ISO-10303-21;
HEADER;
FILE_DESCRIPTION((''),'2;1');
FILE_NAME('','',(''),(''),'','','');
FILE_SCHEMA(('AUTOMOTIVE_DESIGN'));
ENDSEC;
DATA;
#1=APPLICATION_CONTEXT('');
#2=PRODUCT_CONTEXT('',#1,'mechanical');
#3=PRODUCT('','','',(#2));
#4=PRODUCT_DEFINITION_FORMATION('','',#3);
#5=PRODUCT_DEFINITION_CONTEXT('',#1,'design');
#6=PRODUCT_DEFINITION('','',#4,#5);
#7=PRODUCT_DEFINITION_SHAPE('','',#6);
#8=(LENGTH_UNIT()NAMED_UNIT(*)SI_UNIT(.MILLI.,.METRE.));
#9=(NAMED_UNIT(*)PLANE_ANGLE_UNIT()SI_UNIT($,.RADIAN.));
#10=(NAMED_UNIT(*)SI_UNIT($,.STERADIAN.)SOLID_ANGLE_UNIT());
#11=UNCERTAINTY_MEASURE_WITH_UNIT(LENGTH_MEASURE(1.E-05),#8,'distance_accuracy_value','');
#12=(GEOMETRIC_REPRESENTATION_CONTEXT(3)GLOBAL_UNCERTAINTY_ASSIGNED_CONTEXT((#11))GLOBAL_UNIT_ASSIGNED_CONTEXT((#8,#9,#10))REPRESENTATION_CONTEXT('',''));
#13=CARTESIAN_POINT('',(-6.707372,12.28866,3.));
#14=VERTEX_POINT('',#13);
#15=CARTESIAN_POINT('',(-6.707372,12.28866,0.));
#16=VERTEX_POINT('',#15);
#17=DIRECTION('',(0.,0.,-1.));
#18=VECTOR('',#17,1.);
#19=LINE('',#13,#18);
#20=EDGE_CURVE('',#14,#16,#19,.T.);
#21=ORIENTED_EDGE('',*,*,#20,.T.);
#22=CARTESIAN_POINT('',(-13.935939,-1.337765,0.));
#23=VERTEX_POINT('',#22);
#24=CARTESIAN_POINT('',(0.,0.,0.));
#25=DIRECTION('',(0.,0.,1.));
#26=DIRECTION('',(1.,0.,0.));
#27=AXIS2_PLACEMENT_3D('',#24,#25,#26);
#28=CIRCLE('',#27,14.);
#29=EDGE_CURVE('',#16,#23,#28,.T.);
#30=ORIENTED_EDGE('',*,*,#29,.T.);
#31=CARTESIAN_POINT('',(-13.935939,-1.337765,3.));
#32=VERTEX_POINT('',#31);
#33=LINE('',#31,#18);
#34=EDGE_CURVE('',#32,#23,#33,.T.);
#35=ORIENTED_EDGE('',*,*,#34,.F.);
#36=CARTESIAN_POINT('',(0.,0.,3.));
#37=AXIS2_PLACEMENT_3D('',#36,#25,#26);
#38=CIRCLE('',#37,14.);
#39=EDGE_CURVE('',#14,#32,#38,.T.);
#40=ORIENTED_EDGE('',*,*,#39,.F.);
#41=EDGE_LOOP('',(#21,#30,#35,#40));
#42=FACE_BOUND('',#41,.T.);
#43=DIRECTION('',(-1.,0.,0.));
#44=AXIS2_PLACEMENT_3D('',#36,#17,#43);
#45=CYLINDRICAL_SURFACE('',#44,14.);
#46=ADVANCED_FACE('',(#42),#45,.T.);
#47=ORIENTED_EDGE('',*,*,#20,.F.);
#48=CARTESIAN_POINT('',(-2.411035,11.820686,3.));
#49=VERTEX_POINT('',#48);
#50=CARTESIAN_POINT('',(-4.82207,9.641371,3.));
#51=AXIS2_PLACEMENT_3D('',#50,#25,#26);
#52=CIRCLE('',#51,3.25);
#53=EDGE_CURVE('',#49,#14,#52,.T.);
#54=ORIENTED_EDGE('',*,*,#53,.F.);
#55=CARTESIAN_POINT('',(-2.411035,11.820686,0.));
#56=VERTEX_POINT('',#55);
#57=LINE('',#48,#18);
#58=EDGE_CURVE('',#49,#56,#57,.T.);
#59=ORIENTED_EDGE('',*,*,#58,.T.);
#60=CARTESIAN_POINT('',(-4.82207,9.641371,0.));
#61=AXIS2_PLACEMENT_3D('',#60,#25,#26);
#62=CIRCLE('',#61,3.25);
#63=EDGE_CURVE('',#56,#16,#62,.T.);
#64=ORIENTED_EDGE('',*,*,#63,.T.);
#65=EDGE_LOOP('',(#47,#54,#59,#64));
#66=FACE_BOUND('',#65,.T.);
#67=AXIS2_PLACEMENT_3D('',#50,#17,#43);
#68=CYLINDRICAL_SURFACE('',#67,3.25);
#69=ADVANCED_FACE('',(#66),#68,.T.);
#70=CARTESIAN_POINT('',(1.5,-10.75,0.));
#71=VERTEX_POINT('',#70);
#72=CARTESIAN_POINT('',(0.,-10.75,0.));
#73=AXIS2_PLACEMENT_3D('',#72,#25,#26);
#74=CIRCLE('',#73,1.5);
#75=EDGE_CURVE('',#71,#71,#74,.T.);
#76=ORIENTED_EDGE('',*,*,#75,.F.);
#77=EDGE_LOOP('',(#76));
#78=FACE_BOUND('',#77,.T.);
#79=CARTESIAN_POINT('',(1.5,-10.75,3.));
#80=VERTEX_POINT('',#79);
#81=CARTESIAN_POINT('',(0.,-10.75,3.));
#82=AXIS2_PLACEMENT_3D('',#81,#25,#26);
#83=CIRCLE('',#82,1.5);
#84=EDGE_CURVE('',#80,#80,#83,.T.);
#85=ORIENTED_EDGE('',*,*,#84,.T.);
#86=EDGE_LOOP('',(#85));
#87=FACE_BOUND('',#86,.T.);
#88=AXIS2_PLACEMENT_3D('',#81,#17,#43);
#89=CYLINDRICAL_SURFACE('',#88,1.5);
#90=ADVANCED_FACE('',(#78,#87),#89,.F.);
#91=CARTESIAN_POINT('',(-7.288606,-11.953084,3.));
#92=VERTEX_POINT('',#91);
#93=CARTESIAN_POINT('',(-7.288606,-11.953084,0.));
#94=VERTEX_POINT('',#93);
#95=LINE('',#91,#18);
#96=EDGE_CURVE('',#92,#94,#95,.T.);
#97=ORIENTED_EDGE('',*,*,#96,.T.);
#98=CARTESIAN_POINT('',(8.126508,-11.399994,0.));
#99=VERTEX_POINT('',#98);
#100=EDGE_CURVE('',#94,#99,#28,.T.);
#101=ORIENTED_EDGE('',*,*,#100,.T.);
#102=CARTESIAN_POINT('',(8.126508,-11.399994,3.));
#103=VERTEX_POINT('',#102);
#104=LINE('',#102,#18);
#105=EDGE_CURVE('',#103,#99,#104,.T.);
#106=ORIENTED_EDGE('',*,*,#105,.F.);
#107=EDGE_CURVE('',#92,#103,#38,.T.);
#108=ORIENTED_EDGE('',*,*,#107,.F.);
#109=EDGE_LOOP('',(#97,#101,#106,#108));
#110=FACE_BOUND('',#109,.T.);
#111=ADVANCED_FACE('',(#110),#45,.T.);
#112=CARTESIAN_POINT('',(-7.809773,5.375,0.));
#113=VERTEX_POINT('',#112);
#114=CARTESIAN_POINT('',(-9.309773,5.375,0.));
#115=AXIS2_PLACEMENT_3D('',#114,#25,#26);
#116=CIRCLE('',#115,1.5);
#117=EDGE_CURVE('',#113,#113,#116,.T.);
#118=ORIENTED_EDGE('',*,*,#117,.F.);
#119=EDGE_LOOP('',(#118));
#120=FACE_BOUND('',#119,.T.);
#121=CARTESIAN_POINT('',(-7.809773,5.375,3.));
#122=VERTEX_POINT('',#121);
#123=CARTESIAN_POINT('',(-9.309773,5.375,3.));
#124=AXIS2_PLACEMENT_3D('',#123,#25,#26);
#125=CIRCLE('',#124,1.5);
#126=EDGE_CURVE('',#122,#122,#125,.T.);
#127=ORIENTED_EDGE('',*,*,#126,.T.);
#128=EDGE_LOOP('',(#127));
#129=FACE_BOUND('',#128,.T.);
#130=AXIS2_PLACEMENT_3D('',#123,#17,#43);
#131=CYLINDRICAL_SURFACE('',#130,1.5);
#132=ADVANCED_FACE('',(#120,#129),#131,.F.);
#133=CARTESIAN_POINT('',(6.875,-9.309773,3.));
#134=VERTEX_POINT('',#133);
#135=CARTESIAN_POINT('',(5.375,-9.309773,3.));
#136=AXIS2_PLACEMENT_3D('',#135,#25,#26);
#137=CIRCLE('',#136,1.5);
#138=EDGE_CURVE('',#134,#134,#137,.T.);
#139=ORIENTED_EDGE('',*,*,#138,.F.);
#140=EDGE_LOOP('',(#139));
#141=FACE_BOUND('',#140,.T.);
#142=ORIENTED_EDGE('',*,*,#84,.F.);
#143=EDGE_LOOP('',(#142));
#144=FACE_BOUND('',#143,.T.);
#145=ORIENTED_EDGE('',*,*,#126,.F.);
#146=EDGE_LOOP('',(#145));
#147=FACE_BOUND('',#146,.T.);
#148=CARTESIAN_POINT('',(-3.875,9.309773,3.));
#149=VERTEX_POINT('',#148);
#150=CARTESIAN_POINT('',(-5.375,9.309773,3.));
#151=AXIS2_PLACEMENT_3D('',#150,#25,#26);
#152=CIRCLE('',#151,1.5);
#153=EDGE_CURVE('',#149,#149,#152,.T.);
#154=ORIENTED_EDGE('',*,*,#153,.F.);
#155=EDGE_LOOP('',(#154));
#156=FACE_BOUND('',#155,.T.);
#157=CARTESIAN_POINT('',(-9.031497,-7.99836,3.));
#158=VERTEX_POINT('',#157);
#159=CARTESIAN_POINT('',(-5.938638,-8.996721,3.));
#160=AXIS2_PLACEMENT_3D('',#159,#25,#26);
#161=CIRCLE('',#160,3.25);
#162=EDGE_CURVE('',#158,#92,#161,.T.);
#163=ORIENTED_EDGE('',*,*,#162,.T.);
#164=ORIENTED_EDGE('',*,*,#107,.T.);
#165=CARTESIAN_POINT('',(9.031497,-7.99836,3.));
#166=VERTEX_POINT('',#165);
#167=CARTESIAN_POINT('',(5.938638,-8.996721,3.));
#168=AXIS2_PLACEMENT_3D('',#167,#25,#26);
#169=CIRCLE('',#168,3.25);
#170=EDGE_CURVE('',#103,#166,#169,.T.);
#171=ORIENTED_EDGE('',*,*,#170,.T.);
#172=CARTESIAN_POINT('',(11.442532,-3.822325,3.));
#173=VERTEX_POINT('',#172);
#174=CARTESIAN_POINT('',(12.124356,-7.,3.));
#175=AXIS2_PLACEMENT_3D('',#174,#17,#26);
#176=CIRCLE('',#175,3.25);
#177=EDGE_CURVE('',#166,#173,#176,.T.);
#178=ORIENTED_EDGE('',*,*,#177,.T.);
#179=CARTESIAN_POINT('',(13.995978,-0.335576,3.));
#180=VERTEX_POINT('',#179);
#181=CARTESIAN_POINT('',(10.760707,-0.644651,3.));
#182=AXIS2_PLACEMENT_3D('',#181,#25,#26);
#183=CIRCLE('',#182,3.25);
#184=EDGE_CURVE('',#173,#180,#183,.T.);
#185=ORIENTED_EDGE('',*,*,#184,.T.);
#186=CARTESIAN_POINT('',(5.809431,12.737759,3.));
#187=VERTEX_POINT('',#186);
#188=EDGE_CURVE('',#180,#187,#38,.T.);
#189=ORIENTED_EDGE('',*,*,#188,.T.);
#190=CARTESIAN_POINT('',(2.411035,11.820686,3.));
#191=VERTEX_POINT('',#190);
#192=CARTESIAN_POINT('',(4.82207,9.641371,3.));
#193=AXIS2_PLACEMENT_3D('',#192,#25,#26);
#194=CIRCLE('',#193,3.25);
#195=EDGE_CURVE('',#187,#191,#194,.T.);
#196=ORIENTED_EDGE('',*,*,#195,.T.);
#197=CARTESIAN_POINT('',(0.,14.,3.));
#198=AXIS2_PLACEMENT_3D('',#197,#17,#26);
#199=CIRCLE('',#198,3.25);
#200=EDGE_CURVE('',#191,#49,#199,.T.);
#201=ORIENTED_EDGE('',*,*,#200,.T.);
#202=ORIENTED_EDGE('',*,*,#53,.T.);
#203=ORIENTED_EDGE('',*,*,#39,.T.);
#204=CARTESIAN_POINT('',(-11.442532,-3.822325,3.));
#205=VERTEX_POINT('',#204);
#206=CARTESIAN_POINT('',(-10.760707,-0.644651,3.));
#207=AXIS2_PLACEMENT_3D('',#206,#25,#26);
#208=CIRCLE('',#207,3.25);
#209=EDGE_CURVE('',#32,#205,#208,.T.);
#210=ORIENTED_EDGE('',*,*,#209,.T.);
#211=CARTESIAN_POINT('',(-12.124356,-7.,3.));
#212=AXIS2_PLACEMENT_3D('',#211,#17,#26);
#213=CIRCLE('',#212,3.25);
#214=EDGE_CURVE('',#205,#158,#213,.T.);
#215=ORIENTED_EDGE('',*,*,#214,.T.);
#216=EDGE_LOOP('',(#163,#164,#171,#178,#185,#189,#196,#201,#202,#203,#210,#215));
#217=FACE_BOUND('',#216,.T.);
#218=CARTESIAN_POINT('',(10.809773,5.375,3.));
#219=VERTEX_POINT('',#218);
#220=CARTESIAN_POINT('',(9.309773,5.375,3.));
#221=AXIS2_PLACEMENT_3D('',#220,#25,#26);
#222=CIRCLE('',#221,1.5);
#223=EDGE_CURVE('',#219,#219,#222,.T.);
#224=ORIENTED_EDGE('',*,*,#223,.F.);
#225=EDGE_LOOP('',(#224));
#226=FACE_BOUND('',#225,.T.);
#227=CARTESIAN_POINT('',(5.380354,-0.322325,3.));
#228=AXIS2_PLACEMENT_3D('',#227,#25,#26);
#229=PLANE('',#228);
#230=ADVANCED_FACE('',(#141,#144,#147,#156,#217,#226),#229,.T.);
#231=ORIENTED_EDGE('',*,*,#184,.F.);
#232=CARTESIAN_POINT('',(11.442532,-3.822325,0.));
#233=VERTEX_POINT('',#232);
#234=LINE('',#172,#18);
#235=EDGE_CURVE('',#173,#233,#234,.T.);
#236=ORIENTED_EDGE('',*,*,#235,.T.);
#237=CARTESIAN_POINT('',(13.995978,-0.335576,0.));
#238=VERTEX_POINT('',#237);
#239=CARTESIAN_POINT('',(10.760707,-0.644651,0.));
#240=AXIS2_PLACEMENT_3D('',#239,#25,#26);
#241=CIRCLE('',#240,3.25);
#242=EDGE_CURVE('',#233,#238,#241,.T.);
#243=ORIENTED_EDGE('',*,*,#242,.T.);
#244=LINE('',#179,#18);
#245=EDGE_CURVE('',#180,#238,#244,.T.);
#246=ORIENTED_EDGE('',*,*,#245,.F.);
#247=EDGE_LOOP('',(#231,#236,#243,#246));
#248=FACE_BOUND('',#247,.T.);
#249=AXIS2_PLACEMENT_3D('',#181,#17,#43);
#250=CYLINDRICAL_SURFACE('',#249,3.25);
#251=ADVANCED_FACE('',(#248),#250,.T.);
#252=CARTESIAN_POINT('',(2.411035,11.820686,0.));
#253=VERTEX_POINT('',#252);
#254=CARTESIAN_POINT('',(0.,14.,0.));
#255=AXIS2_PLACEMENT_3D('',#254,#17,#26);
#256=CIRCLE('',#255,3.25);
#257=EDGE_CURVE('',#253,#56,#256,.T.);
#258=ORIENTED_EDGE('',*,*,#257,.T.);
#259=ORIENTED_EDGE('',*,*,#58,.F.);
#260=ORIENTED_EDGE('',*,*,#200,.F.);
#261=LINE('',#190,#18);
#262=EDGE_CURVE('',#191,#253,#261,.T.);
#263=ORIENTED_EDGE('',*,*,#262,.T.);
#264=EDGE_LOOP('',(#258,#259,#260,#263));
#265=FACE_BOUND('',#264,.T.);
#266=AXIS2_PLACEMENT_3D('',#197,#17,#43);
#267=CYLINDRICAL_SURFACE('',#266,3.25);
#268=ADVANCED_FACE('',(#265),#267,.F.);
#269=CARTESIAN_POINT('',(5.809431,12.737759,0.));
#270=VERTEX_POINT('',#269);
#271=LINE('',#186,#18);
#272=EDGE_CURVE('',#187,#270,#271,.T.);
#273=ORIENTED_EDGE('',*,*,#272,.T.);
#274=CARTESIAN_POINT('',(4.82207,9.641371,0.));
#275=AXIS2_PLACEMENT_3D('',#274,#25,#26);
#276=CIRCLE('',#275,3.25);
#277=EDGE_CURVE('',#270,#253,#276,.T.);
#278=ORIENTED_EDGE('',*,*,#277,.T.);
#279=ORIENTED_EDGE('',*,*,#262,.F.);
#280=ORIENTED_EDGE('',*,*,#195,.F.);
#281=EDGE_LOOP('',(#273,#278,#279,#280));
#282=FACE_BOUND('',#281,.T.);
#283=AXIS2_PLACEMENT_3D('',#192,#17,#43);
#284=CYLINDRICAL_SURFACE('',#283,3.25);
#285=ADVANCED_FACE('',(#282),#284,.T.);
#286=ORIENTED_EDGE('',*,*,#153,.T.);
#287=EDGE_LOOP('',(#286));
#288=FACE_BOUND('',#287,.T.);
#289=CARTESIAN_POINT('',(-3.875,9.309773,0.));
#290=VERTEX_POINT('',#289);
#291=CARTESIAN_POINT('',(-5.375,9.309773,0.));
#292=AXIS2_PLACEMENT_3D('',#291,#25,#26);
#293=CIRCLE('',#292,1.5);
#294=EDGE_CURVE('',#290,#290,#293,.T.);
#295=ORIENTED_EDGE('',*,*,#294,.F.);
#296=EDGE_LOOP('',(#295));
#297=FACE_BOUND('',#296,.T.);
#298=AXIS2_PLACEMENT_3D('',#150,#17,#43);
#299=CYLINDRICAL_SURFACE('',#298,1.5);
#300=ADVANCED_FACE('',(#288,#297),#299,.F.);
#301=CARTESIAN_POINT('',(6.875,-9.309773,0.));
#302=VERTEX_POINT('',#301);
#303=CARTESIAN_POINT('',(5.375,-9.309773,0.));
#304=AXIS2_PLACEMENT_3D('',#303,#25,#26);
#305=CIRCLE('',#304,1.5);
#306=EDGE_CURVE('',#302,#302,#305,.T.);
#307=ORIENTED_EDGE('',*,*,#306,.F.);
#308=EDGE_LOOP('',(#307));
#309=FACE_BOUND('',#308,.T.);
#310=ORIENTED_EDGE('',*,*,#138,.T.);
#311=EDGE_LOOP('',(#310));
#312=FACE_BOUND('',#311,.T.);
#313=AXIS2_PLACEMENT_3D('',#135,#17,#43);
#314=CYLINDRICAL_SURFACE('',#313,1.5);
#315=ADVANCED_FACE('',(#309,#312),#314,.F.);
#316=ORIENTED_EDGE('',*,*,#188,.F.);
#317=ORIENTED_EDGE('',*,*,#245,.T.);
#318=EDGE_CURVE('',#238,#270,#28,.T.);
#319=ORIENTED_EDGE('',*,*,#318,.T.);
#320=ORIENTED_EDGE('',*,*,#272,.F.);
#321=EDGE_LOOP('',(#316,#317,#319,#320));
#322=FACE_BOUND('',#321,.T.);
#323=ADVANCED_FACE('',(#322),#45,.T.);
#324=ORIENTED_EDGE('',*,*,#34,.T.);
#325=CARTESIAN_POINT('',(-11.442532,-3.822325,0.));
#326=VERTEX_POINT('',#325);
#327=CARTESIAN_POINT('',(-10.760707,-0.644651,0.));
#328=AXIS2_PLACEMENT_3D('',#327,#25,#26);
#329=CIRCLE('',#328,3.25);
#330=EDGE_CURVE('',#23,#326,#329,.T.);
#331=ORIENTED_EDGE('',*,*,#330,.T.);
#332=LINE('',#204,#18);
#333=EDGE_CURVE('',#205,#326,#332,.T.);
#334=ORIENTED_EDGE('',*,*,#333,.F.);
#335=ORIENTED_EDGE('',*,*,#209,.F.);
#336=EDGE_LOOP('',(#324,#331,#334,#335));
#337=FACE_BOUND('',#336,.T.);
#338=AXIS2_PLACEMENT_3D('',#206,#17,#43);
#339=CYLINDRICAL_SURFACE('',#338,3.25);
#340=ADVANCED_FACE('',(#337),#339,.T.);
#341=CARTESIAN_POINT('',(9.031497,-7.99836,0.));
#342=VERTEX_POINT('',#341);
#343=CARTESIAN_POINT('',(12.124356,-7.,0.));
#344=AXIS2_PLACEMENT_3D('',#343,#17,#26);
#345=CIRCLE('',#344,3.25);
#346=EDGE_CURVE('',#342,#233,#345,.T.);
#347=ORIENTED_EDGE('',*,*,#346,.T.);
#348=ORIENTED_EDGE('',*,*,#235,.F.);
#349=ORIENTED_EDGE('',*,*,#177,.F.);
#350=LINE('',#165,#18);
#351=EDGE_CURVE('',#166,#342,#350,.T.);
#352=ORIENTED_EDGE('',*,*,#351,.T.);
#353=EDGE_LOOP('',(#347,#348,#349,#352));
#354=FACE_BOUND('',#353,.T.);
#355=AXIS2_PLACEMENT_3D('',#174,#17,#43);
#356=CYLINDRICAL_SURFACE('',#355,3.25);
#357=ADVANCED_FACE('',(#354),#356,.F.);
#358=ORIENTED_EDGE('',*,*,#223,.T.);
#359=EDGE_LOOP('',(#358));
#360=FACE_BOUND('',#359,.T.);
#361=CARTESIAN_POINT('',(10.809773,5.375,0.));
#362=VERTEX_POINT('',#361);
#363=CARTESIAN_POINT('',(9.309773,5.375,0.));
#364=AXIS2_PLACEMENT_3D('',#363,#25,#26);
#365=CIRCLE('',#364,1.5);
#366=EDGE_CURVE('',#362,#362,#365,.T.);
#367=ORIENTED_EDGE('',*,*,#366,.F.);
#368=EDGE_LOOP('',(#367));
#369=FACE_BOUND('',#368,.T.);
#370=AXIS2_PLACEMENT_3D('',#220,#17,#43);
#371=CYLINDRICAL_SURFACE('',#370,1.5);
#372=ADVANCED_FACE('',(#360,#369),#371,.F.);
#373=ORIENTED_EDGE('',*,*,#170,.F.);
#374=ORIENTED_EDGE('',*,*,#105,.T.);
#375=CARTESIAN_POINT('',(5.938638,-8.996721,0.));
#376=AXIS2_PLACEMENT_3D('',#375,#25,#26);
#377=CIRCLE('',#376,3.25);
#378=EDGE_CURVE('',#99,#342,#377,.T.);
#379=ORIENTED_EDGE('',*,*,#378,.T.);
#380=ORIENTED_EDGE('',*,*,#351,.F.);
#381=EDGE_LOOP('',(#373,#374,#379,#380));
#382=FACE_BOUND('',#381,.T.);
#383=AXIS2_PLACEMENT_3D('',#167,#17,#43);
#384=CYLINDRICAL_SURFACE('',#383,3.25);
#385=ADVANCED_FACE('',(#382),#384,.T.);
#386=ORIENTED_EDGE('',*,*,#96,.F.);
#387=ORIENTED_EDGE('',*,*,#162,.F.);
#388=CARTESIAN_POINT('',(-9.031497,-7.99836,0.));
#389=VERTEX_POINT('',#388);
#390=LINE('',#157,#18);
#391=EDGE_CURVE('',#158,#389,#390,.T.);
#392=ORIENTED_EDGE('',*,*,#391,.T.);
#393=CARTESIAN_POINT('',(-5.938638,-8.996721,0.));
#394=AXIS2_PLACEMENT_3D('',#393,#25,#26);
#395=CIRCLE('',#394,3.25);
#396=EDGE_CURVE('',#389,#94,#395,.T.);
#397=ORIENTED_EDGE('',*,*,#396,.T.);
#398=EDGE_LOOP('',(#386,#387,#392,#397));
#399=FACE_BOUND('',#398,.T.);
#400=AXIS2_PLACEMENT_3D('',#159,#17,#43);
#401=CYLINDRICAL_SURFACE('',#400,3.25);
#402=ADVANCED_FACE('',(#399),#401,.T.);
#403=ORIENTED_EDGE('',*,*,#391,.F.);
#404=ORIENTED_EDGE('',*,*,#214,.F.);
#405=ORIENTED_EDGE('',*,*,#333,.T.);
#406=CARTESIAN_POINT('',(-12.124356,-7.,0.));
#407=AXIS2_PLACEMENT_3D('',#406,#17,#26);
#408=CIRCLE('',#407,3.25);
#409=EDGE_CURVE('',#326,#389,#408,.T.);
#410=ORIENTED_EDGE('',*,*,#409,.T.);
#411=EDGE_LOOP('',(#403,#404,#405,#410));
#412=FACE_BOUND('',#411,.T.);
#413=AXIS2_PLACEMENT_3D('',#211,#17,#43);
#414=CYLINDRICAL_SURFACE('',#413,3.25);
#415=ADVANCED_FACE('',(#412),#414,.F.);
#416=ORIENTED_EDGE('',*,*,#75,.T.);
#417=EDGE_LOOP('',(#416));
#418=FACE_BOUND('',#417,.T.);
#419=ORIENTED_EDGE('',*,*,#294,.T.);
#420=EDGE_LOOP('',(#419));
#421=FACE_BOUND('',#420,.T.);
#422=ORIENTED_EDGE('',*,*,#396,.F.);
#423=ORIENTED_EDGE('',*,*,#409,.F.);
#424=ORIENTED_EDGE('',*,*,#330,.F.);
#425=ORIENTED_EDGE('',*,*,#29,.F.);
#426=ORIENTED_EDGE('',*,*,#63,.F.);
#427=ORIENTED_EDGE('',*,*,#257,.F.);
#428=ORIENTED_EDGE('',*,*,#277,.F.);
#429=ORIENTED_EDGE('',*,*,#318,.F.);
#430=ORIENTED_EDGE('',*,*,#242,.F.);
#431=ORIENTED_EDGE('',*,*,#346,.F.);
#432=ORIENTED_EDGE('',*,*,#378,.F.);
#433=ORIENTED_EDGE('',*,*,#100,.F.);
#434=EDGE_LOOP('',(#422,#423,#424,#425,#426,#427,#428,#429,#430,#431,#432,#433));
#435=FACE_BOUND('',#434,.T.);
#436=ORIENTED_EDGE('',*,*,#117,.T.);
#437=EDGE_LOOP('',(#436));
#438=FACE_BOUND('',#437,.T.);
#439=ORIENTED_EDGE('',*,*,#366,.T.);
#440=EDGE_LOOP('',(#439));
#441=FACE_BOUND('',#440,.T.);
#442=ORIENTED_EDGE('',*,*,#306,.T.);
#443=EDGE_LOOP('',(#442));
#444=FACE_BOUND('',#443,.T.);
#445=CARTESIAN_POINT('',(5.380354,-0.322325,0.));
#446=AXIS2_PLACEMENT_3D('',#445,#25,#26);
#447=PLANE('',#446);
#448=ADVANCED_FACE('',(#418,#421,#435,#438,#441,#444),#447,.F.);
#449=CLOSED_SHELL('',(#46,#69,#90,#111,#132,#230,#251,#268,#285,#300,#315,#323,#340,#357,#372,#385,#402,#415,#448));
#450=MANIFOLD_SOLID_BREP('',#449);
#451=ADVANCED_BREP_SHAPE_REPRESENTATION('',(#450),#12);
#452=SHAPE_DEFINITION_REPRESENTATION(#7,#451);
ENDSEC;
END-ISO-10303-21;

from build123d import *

# Parameters (mm, degrees)
ESQUISSE1_R        = 1.5
BOSS_EXTRU_2_DEPTH = 3


with BuildPart() as part:
    # Esquisse1 → Boss.-Extru.2 (new body)
    with BuildSketch(Plane.XY):
        with BuildLine():
            ThreePointArc((-2.411034891, 11.820685714), (0, 10.75), (2.411034891, 11.820685714))
            ThreePointArc((2.411034891, 11.820685714), (3.975330286, 12.779130538), (5.80943088, 12.737759334))
            ThreePointArc((5.80943088, 12.737759334), (11.865562564, 7.430237213), (13.995977593, -0.335575935))
            ThreePointArc((13.995977593, -0.335575935), (13.382779595, -2.564868949), (11.442531564, -3.822325392))
            ThreePointArc((11.442531564, -3.822325392), (9.309773091, -5.375), (9.031496673, -7.998360322))
            ThreePointArc((9.031496673, -7.998360322), (9.079386541, -9.832302285), (8.126507731, -11.399994391))
            ThreePointArc((8.126507731, -11.399994391), (0.5019929, -13.990997217), (-7.288606081, -11.953084179))
            ThreePointArc((-7.288606081, -11.953084179), (-8.912631465, -10.307392628), (-9.031496673, -7.998360322))
            ThreePointArc((-9.031496673, -7.998360322), (-9.309773091, -5.375), (-11.442531564, -3.822325392))
            ThreePointArc((-11.442531564, -3.822325392), (-13.054716827, -2.946828253), (-13.935938611, -1.337764944))
            ThreePointArc((-13.935938611, -1.337764944), (-12.367555464, 6.560760004), (-6.707371512, 12.288660114))
            ThreePointArc((-6.707371512, 12.288660114), (-4.47014813, 12.872261577), (-2.411034891, 11.820685714))
        make_face()
        with Locations((9.309773091, 5.375)):
            Circle(ESQUISSE1_R, mode=Mode.SUBTRACT)
        with Locations((0, -10.75)):
            Circle(ESQUISSE1_R, mode=Mode.SUBTRACT)
        with Locations((-9.309773091, 5.375)):
            Circle(ESQUISSE1_R, mode=Mode.SUBTRACT)
        with Locations((5.375, -9.309773091)):
            Circle(ESQUISSE1_R, mode=Mode.SUBTRACT)
        with Locations((-5.375, 9.309773091)):
            Circle(ESQUISSE1_R, mode=Mode.SUBTRACT)
    extrude(amount=BOSS_EXTRU_2_DEPTH)


solid = part.part
